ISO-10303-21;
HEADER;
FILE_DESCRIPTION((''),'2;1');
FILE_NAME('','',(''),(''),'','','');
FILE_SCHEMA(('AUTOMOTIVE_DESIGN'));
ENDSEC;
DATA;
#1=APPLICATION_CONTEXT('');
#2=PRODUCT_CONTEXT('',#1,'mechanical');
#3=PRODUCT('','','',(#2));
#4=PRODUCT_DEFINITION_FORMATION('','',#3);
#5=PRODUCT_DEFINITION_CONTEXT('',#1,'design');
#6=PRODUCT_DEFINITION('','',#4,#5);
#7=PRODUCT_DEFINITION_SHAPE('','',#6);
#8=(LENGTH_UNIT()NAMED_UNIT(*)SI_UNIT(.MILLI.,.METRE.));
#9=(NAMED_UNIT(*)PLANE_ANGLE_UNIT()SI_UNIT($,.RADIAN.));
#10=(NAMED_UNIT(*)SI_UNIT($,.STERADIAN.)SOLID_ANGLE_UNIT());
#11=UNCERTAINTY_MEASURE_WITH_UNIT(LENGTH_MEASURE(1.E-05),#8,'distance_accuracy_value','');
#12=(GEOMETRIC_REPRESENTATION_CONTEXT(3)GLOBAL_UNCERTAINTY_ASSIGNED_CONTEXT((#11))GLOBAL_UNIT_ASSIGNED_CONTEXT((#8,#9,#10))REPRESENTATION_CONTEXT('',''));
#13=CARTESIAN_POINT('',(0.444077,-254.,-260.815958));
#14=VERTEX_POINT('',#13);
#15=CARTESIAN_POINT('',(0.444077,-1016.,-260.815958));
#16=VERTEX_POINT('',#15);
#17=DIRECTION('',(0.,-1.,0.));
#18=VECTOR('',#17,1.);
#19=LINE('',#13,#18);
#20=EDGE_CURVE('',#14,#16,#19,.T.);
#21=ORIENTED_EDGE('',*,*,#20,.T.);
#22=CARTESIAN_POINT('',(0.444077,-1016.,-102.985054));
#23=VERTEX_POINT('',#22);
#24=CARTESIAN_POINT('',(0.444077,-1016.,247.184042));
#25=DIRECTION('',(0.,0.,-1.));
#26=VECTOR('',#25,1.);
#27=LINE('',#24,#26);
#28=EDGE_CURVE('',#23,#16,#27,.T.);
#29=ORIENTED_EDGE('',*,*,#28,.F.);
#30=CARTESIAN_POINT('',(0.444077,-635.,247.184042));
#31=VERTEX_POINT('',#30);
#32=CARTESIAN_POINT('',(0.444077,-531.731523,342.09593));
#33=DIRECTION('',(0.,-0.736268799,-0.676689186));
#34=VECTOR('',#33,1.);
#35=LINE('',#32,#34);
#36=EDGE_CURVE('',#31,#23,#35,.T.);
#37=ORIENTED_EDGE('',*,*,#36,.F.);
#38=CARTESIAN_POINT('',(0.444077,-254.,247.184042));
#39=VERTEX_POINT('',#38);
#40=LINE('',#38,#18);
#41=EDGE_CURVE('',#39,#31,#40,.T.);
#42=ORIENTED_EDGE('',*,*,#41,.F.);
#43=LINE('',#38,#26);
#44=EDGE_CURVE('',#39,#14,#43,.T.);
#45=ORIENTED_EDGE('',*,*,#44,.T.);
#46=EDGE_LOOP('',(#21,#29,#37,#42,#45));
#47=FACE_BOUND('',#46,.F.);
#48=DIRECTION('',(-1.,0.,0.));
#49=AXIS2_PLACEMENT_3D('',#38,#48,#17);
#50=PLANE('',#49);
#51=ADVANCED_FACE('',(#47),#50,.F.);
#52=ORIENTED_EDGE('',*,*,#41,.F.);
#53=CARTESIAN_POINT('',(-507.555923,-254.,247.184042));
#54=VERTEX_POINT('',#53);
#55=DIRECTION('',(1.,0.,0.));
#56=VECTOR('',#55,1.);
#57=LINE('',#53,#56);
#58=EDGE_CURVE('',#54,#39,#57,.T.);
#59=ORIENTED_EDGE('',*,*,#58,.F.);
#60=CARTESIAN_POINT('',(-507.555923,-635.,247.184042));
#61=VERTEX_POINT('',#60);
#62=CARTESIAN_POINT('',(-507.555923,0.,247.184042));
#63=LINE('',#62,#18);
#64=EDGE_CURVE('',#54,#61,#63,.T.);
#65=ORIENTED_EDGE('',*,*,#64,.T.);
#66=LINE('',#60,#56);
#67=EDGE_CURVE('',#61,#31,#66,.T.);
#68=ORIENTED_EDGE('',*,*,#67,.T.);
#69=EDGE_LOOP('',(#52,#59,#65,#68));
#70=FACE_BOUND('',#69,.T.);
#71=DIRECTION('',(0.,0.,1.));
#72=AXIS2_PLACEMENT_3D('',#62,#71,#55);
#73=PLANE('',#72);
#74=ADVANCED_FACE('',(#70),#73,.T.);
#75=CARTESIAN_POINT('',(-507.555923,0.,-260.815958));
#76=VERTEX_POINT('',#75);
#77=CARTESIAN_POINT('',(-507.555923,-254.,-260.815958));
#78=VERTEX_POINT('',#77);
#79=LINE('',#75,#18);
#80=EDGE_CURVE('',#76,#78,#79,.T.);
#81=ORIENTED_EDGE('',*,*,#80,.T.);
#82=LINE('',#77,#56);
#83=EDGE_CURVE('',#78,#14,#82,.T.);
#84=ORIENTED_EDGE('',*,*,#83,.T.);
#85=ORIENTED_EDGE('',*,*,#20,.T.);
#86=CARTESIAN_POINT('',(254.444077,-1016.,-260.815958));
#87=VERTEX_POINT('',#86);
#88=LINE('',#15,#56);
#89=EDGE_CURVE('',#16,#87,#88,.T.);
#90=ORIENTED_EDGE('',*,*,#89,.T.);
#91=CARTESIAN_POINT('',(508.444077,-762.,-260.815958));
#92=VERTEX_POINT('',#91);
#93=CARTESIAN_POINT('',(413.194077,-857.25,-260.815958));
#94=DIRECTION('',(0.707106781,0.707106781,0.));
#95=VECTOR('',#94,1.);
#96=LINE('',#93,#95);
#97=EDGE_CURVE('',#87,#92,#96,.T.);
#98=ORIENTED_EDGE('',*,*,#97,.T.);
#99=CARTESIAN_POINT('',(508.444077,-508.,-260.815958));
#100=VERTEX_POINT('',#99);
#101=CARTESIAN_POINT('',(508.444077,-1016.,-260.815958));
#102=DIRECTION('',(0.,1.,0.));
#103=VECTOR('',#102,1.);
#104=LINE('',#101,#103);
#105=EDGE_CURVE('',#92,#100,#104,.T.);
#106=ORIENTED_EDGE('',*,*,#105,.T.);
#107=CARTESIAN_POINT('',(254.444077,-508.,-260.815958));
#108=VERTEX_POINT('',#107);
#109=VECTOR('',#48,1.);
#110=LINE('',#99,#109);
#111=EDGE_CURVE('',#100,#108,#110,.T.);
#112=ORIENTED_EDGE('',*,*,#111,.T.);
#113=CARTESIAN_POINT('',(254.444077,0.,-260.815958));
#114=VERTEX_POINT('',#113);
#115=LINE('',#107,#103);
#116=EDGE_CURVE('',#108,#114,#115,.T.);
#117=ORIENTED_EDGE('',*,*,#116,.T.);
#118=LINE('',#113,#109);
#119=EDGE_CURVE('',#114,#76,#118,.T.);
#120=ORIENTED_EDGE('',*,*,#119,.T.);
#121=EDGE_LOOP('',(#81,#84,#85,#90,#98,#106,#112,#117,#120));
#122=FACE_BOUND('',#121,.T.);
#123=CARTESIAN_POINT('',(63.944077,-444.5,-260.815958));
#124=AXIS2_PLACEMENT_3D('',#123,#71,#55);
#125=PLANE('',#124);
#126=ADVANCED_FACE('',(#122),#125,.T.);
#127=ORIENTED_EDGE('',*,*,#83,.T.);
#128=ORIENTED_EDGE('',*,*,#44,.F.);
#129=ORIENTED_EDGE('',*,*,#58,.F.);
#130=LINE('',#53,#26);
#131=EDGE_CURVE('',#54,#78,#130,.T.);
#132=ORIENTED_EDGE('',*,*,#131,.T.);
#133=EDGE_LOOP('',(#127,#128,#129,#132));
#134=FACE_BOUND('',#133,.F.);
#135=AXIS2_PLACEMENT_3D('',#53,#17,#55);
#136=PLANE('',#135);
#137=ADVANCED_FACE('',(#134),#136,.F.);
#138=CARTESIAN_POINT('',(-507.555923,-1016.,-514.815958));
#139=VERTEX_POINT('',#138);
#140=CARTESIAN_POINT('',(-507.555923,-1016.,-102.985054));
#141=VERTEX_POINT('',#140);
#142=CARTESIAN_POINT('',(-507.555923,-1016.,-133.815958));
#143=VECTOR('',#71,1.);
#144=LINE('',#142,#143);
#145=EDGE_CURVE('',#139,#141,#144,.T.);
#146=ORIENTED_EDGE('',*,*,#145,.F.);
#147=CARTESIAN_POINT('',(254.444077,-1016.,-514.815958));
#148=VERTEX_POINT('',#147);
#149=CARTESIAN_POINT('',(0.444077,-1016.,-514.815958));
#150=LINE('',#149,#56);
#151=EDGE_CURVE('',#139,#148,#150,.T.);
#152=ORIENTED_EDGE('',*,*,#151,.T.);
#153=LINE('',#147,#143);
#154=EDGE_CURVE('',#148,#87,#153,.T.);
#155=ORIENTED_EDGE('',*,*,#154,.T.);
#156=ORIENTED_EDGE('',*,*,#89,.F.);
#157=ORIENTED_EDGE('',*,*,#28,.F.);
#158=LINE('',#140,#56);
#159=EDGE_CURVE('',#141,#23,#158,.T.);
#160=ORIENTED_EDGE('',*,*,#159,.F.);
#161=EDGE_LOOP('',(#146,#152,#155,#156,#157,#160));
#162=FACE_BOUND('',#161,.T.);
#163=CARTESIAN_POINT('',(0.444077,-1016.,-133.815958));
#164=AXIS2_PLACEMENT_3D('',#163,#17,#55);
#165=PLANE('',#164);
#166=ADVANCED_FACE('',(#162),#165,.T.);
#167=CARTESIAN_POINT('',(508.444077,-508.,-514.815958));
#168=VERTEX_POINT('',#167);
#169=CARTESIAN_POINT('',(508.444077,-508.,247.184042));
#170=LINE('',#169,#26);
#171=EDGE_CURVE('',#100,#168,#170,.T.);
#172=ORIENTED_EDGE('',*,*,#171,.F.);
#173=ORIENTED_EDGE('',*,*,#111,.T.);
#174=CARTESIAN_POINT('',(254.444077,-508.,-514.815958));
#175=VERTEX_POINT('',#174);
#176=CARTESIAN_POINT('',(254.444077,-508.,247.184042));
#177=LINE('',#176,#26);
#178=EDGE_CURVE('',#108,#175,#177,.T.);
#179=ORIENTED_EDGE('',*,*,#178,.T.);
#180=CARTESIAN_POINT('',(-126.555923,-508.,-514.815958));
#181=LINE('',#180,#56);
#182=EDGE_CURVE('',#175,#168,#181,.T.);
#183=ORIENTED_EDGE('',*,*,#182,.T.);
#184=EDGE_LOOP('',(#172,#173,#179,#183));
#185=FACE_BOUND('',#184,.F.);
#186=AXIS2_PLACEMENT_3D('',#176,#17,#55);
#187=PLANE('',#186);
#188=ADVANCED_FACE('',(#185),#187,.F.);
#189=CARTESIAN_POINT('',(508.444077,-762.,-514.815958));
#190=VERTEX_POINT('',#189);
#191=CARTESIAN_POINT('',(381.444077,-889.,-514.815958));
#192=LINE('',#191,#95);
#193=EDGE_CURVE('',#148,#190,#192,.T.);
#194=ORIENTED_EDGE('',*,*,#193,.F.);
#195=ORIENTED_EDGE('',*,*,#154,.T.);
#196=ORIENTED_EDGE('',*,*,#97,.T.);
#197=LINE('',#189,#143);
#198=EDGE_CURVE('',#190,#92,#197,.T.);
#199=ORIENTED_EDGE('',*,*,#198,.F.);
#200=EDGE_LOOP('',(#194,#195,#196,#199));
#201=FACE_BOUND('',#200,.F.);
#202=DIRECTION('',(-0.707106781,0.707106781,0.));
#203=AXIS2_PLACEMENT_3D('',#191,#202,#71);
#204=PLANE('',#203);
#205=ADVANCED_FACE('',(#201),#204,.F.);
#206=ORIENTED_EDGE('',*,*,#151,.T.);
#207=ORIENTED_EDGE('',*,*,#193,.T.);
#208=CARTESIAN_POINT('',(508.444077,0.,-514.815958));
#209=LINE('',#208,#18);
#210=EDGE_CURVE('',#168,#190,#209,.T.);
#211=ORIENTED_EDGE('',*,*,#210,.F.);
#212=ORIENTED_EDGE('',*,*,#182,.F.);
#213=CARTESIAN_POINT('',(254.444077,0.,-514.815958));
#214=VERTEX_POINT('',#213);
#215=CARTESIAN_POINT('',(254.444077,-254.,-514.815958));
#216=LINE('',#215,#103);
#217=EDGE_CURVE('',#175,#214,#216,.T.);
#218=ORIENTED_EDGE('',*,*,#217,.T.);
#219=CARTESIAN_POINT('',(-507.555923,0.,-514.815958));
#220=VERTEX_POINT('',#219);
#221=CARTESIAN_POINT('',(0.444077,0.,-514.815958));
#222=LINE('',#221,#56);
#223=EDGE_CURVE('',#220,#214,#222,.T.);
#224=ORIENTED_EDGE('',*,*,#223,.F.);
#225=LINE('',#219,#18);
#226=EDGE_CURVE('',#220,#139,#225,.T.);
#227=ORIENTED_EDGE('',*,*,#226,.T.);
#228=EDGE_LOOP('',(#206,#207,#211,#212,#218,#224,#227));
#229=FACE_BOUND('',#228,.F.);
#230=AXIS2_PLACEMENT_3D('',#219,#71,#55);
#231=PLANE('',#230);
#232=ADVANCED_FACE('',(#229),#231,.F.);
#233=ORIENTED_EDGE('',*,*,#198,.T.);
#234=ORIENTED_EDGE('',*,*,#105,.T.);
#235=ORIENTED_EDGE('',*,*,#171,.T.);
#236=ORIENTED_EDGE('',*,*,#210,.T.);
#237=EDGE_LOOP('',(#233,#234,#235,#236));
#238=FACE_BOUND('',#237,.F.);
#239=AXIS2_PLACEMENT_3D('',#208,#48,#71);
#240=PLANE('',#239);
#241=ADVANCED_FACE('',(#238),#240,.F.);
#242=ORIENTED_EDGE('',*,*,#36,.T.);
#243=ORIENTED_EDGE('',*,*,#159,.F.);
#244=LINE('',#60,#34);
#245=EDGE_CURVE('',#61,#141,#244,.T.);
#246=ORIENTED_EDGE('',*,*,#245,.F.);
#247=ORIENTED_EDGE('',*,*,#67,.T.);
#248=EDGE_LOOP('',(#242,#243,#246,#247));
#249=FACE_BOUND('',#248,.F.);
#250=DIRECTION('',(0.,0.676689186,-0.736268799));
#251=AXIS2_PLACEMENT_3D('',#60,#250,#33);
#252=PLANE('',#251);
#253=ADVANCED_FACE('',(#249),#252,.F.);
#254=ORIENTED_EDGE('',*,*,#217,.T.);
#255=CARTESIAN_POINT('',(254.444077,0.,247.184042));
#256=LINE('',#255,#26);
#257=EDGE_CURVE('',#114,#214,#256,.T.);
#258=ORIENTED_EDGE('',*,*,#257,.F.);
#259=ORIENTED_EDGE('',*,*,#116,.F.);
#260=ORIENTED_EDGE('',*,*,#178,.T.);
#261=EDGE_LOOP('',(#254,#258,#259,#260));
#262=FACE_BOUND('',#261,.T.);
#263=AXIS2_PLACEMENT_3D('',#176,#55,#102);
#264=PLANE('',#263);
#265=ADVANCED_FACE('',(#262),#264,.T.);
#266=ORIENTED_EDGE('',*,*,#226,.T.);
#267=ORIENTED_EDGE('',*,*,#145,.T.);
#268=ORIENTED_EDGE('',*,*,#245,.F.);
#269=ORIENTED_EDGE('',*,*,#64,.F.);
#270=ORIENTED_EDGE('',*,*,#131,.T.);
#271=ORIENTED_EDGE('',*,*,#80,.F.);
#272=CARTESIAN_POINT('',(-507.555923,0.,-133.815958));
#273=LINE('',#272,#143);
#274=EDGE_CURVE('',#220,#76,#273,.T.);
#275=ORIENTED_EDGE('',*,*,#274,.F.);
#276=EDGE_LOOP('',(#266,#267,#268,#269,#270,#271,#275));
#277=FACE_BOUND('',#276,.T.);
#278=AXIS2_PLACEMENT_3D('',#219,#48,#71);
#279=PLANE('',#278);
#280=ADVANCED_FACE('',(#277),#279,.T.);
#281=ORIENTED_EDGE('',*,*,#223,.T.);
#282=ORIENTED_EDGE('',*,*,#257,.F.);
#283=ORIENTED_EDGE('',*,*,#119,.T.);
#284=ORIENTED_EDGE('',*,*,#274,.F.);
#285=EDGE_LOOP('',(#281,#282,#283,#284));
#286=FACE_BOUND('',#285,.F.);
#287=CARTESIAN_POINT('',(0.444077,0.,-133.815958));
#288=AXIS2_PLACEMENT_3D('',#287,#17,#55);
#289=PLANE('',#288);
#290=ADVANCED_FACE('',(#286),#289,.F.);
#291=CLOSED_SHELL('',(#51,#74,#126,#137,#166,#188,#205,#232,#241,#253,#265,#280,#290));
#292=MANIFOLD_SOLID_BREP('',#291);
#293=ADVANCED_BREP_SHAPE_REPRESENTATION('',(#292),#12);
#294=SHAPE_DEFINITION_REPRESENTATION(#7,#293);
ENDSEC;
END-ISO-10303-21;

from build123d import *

# Parameters (mm, degrees)
F0_W      = 1016
F0_H      = 762
F1_DEPTH  = 1016
F2_W      = 254
F2_H      = 508
F3_DEPTH  = 1016
F6_DEPTH  = 508
F7_DEPTH  = 25
F9_DEPTH  = 254
F11_DEPTH = 762
F12_SIZE  = 254


with BuildPart() as f1:
    # F0 (on Front) → F1 (new body)
    with BuildSketch(Plane.XZ):
        with Locations((0.4440769553, -133.8159580914)):
            Rectangle(F0_W, F0_H)
    extrude(amount=F1_DEPTH)

    # F2 (on face) → F3 (cut)
    with BuildSketch(Plane.XY.offset(247.1840419086)):
        with Locations((381.4440769553, -254)):
            Rectangle(F2_W, F2_H)
    extrude(amount=-F3_DEPTH, mode=Mode.SUBTRACT)

    # F4 (on face) → F6 (cut)
    with BuildSketch(Plane.XY.offset(247.1840419086)):
        Polygon((0.4440769553, -254), (0.4440769553, -1016), (508.4440769553, -1016), (508.4440769553, -508), (254.4440769553, -508), (254.4440769553, 0), (-507.5559230447, 0), (-507.5559230447, -254), align=None)
    extrude(amount=-F6_DEPTH, mode=Mode.SUBTRACT)

    # F10 (on face) → F11 (cut)
    with BuildSketch(Plane(origin=(-507.5559230447, 0, 0), x_dir=(0, -1, 0), z_dir=(-1, 0, 0))):
        Polygon((1016, -102.9850542545), (1016, 247.1840419086), (635, 247.1840419086), align=None)
    extrude(amount=-F11_DEPTH, mode=Mode.SUBTRACT)

    # F12
    f12_edges = [f1.edges().sort_by_distance(p)[0] for p in [
        (508.444077, -1016, -387.815958),
    ]]
    chamfer(f12_edges, length=F12_SIZE)


with BuildPart() as f7:
    # F5 (on face) → F7 (new body)
    with BuildSketch(Plane.XY.offset(247.1840419086)):
        Polygon((254.4440769553, 0), (-506.6555738449, 0), (-506.6555738449, -254), (0.4440769553, -254), (0.4440769553, -1016), (508.4440769553, -1016), (508.4440769553, -508), (254.4440769553, -508), align=None)
    extrude(amount=F7_DEPTH)

    # F8 (on face) → F9 (cut)
    with BuildSketch(Plane.XY.offset(272.1840419086)):
        Polygon((-506.6555738449, -254), (0.4440769553, -254), (0.4440769553, -1016), (508.4440769553, -1016), (508.4440769553, -508), (254.4440769553, -508), (254.4440769553, 0), (-506.6555738449, 0), align=None)
    extrude(amount=-F9_DEPTH, mode=Mode.SUBTRACT)


solid = f1.part
